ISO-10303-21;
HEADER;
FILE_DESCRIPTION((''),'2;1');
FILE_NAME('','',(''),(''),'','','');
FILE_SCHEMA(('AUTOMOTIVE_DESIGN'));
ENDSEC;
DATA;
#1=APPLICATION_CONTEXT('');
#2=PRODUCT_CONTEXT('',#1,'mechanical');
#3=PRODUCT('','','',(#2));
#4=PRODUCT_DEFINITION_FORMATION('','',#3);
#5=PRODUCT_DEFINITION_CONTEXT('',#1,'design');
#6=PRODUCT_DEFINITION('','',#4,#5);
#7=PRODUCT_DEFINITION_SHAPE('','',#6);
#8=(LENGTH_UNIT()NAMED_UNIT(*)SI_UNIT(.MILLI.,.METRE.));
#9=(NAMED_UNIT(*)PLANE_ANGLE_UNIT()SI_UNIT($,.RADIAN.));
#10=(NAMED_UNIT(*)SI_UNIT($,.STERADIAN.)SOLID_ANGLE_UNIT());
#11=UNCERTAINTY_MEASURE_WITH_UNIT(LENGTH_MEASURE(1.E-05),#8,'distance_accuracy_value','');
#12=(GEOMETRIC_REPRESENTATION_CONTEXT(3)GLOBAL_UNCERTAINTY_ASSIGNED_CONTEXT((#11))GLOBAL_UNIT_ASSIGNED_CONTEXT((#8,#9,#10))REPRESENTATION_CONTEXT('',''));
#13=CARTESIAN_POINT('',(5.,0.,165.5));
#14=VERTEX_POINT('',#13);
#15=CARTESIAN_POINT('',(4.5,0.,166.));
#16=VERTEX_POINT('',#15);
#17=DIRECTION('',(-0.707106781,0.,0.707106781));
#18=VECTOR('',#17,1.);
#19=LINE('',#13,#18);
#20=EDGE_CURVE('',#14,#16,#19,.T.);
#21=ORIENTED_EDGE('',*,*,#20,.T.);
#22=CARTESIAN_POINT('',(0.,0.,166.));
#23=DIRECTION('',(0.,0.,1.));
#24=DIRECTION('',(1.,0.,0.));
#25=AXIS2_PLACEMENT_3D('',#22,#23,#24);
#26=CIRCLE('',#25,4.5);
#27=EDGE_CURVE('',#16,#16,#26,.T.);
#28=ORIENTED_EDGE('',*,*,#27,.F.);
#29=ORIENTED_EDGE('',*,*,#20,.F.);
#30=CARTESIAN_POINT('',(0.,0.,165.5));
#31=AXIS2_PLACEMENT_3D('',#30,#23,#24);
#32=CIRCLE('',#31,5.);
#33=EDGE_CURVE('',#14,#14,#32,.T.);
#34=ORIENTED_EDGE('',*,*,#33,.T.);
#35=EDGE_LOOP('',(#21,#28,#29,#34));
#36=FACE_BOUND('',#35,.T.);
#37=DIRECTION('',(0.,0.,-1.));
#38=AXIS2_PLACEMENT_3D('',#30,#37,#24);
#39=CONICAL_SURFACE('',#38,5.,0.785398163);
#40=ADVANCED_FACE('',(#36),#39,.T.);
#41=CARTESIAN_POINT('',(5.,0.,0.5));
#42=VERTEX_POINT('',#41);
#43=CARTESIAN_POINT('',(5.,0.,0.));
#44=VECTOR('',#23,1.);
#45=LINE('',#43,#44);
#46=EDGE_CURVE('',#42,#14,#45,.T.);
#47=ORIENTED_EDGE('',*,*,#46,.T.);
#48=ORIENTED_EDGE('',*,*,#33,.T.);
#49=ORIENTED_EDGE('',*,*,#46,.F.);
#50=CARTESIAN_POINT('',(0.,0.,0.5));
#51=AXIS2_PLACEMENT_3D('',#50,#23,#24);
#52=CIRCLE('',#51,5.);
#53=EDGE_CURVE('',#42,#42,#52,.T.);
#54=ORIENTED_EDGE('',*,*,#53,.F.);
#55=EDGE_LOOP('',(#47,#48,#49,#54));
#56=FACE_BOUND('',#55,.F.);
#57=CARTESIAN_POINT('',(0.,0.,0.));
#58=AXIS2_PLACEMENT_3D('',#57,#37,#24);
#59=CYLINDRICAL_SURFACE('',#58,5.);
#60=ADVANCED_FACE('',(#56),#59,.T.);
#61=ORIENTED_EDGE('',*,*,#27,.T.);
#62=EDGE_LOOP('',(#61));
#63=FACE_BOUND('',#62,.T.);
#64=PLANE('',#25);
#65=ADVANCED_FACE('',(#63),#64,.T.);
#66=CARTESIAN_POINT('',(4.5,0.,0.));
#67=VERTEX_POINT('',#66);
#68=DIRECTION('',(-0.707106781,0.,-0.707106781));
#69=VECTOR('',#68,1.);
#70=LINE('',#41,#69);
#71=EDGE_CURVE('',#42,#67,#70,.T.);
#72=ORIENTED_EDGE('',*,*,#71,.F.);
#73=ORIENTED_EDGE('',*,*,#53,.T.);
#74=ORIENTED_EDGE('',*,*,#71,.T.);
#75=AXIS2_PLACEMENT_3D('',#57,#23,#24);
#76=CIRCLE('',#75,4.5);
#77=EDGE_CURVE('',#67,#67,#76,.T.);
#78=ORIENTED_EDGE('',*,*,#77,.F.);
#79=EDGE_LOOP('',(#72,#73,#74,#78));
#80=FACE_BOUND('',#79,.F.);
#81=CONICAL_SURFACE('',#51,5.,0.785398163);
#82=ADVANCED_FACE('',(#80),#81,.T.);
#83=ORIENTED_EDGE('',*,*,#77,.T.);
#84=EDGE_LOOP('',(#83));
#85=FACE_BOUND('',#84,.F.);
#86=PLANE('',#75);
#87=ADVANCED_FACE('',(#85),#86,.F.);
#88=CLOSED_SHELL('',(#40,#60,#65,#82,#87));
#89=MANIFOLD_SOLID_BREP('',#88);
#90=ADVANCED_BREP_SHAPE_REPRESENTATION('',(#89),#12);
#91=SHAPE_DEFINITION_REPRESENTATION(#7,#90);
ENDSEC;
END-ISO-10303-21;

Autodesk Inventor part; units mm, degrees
ref_plane "YZ Plane" through (0, 0, 0) normal (1, 0, 0) x (0, 1, 0)
ref_plane "XZ Plane" through (0, 0, 0) normal (0, 1, 0) x (-1, 0, 0)
ref_plane "XY Plane" through (0, 0, 0) normal (0, 0, 1) x (1, 0, 0)
sketch "Sketch1" plane through (0, 0, 0) normal (0, 0, 1) x (1, 0, 0)
  circle A0 centre (0, 0) radius 5
  dimension "d0" = 10
extrude "Extrusion1" add sketch "Sketch1" along normal blind 166
chamfer "Chamfer1" distance 0.5 angle 45 2 edges at (-5, 0, 166) (-5, 0, 0)
properties part number "0005-10-1006 Bara rectificata" material "Stainless Steel"
